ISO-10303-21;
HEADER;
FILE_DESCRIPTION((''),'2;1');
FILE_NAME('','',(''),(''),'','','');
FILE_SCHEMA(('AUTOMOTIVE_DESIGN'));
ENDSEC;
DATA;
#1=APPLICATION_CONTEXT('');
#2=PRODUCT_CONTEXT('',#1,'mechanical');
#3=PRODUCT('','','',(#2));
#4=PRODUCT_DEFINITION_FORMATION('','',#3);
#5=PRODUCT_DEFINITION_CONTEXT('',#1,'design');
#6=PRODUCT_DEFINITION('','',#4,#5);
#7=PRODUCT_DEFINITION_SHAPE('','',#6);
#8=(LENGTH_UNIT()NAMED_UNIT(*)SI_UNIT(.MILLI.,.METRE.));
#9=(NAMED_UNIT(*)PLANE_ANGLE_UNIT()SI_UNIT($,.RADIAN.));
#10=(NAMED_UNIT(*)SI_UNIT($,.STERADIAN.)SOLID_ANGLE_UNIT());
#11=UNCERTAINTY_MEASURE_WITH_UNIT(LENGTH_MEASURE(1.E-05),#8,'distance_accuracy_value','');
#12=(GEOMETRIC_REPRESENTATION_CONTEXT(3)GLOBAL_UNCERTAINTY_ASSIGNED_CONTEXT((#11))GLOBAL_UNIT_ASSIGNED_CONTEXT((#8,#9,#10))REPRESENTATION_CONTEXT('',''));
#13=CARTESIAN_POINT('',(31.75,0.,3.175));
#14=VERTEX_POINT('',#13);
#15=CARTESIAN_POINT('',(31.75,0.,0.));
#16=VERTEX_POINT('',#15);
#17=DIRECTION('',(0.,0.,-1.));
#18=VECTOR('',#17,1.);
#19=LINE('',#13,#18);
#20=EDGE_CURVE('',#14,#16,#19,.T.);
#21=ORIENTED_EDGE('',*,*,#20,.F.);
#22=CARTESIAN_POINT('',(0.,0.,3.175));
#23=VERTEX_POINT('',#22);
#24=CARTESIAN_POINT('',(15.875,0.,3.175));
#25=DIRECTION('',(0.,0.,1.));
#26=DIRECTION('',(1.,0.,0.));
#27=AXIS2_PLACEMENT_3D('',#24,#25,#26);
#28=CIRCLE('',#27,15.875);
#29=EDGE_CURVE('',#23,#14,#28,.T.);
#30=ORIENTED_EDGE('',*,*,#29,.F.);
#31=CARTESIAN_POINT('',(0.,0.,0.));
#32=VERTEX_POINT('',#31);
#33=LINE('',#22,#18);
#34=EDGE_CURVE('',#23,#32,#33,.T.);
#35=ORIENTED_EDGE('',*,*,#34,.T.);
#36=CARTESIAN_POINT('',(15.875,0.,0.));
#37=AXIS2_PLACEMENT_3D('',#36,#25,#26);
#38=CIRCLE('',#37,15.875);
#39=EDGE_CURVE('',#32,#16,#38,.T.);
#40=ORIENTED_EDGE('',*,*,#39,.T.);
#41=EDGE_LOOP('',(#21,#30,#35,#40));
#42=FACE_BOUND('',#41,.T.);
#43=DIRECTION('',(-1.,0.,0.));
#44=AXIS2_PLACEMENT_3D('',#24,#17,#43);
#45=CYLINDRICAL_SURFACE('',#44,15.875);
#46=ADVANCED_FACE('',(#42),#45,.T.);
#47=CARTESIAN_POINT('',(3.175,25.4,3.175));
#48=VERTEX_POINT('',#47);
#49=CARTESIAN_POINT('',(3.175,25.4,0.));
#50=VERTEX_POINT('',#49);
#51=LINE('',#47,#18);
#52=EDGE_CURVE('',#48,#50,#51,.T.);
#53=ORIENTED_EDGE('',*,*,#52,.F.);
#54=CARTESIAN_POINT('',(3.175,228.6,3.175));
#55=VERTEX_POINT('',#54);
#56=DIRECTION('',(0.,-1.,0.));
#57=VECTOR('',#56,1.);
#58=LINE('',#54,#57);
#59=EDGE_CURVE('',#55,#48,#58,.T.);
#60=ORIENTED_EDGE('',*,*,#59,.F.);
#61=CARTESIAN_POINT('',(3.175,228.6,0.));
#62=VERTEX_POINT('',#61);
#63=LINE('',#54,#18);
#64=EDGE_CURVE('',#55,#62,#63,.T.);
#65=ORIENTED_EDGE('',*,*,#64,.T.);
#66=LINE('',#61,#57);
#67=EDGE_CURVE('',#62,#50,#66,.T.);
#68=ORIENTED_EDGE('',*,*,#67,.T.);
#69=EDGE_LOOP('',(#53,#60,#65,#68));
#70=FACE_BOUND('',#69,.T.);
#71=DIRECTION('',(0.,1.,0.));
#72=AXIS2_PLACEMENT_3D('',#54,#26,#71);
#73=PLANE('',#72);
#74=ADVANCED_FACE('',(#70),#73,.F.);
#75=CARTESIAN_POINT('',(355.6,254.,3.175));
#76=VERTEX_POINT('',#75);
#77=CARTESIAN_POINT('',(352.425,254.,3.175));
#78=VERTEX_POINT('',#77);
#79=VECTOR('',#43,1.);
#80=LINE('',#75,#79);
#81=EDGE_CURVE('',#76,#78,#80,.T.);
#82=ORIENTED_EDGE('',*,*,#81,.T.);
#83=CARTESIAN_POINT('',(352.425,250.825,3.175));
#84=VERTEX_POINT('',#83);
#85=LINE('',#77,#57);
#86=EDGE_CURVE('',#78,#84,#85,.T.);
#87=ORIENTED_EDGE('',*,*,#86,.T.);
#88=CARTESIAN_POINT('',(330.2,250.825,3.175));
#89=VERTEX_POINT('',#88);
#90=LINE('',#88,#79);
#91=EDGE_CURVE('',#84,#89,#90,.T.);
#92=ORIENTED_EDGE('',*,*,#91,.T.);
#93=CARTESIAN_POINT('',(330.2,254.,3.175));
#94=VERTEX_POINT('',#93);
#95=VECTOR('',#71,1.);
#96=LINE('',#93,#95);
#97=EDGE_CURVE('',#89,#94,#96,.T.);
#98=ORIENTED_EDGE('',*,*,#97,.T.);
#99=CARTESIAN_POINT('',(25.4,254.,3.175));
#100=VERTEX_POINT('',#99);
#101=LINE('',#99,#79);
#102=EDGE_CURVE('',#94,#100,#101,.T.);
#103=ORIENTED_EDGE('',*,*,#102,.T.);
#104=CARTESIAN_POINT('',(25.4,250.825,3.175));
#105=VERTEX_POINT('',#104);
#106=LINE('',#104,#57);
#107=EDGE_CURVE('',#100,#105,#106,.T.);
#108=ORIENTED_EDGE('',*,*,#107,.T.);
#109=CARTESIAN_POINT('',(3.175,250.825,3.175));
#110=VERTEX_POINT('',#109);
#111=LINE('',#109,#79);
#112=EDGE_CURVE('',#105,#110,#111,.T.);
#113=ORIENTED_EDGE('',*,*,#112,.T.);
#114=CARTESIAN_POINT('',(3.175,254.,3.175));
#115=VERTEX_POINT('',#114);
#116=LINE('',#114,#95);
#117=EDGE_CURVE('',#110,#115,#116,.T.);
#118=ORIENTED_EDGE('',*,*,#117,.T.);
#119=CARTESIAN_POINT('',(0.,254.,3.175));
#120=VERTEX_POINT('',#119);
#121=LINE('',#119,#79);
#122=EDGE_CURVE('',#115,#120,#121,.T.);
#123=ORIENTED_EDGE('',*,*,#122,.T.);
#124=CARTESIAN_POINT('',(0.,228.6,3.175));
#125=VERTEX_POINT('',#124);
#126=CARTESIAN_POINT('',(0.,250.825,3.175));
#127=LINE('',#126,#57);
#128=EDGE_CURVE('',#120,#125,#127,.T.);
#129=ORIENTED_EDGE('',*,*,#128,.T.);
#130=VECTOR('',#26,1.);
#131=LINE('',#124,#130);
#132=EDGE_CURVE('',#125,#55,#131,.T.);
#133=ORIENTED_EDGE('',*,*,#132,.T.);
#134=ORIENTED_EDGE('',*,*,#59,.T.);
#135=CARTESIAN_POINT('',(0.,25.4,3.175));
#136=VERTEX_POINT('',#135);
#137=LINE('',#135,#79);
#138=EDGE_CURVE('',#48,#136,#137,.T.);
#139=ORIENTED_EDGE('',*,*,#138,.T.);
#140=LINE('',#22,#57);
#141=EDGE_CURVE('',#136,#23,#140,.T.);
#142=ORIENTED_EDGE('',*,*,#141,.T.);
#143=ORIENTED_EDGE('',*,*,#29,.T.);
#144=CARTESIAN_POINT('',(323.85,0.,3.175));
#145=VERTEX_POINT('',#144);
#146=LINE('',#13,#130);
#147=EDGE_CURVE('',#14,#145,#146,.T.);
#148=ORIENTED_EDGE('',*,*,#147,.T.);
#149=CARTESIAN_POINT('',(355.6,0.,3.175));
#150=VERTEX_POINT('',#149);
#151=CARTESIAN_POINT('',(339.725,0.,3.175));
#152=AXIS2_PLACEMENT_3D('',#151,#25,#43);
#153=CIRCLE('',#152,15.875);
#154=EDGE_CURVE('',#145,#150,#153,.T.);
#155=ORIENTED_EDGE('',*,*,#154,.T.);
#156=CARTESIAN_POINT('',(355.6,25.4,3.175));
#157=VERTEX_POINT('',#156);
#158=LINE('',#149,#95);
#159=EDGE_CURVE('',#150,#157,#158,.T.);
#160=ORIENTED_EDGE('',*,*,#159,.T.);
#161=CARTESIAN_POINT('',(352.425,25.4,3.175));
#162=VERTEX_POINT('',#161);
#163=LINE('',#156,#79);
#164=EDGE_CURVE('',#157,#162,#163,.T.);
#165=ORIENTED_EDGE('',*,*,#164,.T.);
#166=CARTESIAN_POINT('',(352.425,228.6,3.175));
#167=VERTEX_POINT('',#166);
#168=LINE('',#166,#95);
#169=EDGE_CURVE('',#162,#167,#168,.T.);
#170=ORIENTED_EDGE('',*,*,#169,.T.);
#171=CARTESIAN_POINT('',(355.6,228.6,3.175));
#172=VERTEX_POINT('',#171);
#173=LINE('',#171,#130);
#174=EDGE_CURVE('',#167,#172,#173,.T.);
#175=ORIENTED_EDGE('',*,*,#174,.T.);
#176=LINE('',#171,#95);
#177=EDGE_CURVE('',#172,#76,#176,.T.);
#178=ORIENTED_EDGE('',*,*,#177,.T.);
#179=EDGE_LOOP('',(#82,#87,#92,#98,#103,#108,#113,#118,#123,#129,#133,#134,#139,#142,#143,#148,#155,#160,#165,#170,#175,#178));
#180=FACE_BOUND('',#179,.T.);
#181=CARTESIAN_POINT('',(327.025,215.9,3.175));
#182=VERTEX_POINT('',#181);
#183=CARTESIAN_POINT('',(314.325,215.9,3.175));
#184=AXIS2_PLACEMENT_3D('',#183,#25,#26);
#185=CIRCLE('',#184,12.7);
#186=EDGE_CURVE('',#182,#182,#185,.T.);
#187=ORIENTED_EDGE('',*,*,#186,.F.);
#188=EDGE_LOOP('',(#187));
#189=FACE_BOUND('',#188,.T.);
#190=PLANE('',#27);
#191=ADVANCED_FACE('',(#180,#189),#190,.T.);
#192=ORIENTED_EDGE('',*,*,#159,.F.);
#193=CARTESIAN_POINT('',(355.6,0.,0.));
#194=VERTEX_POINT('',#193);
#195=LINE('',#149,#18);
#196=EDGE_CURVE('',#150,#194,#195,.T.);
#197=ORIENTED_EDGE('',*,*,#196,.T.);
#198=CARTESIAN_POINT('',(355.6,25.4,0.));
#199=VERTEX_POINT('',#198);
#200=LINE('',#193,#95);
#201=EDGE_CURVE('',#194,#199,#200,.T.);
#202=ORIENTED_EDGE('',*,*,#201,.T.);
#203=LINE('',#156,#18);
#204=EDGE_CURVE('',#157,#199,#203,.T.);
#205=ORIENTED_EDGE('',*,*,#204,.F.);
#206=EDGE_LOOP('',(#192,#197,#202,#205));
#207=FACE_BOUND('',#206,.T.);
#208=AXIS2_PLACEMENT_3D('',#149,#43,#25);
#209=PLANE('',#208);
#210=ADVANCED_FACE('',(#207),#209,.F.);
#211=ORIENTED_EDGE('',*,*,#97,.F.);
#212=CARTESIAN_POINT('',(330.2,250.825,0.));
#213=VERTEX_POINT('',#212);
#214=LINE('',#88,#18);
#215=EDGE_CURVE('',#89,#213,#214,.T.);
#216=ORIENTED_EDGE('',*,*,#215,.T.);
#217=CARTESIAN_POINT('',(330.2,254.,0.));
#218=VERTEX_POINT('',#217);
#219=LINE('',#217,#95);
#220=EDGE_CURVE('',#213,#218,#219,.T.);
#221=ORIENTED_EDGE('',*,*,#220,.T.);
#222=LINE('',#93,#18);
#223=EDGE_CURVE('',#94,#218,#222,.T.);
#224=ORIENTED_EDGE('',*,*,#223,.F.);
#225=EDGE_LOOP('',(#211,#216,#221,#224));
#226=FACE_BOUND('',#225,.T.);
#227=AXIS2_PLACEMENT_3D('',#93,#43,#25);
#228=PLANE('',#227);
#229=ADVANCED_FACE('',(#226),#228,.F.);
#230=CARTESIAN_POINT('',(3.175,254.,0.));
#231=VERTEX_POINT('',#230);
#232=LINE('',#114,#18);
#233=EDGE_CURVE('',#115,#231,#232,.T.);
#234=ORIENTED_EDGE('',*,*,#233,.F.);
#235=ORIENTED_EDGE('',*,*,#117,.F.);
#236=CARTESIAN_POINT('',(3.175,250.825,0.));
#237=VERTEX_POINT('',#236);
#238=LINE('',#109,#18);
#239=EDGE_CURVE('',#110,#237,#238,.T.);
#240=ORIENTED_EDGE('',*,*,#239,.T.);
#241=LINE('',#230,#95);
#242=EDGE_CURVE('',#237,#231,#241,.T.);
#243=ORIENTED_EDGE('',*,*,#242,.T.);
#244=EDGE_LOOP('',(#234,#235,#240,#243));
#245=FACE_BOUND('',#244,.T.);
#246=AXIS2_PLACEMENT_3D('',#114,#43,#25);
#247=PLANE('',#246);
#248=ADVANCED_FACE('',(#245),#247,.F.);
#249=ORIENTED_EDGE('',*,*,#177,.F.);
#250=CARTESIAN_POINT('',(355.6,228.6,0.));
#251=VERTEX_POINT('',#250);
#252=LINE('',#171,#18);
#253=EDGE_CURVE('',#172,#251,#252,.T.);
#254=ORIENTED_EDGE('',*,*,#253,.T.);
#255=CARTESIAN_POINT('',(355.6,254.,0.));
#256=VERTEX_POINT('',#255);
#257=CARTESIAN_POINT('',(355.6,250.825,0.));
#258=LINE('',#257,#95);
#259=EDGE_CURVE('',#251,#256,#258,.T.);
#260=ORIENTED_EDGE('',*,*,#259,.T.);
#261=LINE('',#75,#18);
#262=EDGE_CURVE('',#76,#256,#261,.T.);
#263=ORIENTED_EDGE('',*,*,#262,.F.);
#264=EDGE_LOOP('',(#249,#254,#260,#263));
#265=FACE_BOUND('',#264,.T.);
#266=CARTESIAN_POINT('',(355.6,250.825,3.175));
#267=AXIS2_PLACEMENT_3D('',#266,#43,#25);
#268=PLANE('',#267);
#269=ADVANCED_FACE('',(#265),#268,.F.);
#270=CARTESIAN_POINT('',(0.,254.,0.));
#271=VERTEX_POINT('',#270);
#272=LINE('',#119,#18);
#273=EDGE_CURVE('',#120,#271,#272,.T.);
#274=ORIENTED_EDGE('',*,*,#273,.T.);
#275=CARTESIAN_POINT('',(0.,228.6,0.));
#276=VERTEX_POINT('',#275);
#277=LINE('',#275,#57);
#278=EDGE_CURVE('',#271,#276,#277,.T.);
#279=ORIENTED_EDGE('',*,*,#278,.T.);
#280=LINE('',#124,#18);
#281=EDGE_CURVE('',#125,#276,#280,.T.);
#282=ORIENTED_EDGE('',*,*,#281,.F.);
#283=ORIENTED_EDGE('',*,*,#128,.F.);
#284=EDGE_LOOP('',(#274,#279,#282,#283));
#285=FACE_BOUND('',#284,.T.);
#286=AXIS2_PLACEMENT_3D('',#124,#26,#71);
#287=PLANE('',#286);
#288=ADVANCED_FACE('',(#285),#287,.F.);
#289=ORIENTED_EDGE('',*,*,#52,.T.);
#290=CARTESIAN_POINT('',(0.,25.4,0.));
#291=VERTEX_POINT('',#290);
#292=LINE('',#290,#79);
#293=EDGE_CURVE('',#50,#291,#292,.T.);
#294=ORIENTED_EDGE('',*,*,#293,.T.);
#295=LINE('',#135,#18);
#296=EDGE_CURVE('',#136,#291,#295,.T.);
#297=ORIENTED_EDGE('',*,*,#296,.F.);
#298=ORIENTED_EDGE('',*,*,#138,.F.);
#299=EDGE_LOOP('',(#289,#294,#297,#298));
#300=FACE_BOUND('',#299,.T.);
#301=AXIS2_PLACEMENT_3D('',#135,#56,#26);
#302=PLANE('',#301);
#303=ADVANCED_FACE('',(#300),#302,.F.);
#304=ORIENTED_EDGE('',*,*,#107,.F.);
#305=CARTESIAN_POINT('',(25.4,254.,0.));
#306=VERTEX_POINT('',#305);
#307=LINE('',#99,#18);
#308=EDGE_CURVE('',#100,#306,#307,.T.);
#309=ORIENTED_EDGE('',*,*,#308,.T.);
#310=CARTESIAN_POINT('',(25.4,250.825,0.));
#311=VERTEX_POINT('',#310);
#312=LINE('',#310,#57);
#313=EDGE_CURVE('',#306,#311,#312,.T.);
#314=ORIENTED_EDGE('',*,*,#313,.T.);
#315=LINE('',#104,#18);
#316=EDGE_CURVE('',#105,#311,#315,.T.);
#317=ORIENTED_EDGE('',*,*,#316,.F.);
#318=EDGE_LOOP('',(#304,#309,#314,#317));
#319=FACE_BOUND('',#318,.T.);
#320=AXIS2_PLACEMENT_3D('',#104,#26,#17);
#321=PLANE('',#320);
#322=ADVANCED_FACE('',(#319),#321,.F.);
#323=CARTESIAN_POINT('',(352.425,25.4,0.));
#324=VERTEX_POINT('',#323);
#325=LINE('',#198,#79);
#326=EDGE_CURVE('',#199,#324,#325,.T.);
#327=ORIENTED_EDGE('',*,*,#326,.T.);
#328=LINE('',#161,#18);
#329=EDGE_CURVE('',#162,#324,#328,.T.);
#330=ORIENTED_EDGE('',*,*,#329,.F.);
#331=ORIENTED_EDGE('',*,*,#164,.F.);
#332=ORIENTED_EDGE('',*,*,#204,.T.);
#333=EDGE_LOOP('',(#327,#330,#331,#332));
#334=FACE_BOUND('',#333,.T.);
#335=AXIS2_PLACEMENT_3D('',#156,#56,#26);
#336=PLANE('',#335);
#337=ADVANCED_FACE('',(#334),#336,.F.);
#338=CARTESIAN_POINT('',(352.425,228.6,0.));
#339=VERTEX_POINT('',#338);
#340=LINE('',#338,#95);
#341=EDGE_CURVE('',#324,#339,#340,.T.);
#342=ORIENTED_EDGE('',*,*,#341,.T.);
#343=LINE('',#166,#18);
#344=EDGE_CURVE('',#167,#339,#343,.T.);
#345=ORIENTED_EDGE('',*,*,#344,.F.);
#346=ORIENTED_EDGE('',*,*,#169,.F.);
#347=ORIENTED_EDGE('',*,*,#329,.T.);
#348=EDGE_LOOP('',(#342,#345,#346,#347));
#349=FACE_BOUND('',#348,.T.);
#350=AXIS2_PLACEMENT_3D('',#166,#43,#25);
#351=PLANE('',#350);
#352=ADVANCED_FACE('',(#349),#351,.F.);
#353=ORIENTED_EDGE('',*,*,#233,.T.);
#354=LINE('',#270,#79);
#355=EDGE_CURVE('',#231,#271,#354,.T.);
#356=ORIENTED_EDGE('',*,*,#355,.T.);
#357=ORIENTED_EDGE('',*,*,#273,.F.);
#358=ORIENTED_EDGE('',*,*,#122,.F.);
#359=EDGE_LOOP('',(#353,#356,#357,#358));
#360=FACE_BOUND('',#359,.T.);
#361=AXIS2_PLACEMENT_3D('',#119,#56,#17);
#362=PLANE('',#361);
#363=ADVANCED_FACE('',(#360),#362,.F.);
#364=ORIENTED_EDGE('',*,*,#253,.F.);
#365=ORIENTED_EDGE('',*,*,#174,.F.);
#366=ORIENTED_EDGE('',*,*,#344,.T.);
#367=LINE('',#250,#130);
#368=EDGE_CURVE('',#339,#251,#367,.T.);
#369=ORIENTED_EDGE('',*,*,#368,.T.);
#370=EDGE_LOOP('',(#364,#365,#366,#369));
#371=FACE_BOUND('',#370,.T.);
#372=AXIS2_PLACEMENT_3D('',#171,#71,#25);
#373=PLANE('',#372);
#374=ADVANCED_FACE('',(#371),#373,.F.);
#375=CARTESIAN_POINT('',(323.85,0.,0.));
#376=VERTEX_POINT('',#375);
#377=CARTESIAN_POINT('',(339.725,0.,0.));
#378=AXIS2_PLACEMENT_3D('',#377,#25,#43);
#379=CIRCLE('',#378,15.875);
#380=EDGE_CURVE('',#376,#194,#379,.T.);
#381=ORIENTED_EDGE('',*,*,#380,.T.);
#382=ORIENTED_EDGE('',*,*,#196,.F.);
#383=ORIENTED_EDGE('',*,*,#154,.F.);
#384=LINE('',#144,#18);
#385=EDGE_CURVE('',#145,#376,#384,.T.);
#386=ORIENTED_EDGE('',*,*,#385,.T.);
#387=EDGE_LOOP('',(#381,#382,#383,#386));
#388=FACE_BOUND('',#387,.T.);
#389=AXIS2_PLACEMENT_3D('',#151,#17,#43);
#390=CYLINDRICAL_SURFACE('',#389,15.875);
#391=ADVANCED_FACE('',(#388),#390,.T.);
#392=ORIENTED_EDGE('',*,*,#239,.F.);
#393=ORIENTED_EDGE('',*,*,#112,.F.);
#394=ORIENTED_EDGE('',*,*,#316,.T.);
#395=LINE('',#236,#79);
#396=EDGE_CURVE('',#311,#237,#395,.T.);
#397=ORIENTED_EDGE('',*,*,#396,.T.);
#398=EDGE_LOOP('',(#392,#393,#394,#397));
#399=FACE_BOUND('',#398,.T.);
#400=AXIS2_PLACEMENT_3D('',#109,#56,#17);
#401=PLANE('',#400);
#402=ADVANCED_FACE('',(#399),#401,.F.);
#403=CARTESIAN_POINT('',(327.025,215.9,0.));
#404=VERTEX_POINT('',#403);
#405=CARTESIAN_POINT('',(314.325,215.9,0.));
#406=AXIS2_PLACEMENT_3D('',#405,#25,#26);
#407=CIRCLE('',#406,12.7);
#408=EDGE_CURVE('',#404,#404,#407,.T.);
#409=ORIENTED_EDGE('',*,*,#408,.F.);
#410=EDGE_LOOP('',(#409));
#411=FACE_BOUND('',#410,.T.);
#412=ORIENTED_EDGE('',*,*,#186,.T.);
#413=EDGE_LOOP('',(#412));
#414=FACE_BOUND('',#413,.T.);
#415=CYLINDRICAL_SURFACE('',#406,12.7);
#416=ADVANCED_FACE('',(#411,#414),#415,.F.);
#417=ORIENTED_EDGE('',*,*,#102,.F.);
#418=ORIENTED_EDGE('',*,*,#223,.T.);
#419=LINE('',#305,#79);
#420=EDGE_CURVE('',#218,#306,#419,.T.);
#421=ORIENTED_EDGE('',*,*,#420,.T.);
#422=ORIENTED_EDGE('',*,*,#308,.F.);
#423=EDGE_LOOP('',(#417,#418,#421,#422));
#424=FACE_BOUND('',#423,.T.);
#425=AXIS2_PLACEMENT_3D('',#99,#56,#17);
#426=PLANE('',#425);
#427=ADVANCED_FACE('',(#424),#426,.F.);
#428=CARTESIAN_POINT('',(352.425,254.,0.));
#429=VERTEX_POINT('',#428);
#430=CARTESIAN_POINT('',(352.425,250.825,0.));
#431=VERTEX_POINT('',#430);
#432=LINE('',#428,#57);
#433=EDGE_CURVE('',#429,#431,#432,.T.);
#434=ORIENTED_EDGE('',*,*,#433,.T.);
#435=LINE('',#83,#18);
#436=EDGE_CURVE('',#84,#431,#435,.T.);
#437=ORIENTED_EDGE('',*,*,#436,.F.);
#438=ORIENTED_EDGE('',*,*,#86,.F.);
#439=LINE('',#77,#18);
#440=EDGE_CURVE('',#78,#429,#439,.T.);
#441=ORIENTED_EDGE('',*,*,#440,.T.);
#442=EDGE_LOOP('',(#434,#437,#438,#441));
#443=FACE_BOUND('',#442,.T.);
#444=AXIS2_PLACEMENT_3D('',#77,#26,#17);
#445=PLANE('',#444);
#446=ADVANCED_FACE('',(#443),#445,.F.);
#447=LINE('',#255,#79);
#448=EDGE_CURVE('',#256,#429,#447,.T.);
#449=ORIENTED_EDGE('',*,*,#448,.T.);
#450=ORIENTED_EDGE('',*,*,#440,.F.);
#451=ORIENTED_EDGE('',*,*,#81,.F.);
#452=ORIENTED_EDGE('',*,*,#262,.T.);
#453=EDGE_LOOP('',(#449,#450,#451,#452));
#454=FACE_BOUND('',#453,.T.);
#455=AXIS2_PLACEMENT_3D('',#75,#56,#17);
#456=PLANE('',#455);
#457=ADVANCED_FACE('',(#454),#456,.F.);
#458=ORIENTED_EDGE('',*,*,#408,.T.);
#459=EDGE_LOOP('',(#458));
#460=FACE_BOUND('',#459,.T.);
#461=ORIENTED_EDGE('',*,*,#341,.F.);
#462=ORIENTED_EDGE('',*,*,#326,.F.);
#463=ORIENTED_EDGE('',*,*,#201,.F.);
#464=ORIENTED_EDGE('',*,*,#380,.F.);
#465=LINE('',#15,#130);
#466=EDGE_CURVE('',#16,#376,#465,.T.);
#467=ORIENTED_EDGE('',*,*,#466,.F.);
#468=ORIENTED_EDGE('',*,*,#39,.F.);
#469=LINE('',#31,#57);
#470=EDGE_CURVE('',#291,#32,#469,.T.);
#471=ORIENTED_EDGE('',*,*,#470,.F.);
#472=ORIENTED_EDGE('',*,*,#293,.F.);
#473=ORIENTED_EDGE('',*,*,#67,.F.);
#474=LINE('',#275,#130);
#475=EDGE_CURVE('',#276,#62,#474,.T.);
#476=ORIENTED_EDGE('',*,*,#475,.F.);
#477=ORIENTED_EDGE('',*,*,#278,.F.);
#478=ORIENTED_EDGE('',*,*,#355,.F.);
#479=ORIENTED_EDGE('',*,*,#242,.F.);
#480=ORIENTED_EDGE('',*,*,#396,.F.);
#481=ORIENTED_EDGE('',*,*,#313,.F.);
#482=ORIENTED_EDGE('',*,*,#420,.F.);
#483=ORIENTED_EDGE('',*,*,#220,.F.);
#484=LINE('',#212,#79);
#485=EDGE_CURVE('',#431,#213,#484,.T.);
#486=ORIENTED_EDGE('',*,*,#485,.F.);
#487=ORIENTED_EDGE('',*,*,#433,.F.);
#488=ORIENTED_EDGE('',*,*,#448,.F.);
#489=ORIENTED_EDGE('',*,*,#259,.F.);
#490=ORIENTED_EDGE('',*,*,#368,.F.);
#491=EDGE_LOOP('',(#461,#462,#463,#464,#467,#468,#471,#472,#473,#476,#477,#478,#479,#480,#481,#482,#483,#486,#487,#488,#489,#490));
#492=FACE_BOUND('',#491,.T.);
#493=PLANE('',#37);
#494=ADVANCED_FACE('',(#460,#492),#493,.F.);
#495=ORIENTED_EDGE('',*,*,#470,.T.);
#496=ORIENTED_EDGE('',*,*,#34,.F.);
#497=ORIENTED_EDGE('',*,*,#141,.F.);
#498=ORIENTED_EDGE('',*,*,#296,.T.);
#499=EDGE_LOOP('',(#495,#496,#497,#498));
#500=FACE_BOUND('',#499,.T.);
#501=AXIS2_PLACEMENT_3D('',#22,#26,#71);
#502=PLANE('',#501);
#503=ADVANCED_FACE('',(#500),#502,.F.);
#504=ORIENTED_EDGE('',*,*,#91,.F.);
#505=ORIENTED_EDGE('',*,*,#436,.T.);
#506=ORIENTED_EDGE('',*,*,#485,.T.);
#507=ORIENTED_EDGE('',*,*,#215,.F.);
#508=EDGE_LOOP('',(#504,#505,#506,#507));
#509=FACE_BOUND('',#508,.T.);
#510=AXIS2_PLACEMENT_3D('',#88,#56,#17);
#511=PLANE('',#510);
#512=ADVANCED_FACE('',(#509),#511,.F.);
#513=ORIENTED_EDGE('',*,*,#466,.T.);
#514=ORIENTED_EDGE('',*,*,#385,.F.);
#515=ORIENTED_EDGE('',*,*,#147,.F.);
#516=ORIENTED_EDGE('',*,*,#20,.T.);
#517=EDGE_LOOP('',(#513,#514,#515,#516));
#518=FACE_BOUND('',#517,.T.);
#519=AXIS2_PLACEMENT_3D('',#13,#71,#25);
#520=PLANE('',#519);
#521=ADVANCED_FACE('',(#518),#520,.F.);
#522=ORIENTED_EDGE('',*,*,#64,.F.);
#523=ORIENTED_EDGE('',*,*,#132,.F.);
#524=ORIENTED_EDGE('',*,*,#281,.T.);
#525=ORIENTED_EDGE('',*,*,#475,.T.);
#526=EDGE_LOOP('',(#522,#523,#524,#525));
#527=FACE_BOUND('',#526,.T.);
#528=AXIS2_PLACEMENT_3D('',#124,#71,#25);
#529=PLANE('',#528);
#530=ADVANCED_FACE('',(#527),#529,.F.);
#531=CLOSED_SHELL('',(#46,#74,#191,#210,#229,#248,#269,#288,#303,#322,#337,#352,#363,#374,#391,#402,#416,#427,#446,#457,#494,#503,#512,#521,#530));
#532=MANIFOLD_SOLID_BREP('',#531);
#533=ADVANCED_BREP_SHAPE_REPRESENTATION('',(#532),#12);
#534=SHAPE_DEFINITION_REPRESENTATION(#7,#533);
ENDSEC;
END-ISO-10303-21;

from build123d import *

# Parameters (mm, degrees)
BOSS_EXTRUDE1_DEPTH = 3.175
SKETCH2_R           = 12.7
CUT_EXTRUDE1_DEPTH  = 4.175


with BuildPart() as part:
    # Sketch1 → Boss-Extrude1 (new body)
    with BuildSketch(Plane.XY):
        with BuildLine():
            Line((0, 228.6), (0, 250.825))
            Line((0, 250.825), (0, 254))
            Line((0, 254), (3.175, 254))
            Line((3.175, 254), (3.175, 250.825))
            Line((3.175, 250.825), (25.4, 250.825))
            Line((25.4, 250.825), (25.4, 254))
            Line((25.4, 254), (330.2, 254))
            Line((330.2, 254), (330.2, 250.825))
            Line((330.2, 250.825), (352.425, 250.825))
            Line((352.425, 250.825), (352.425, 254))
            Line((352.425, 254), (355.6, 254))
            Line((355.6, 254), (355.6, 250.825))
            Line((355.6, 250.825), (355.6, 228.6))
            Line((355.6, 228.6), (352.425, 228.6))
            Line((352.425, 228.6), (352.425, 25.4))
            Line((352.425, 25.4), (355.6, 25.4))
            Line((355.6, 25.4), (355.6, 0))
            ThreePointArc((355.6, 0), (339.725, -15.875), (323.85, 0))
            Line((323.85, 0), (31.75, 0))
            ThreePointArc((31.75, 0), (15.875, -15.875), (0, 0))
            Line((0, 0), (0, 25.4))
            Line((0, 25.4), (3.175, 25.4))
            Line((3.175, 25.4), (3.175, 228.6))
            Line((3.175, 228.6), (0, 228.6))
        make_face()
    extrude(amount=BOSS_EXTRUDE1_DEPTH)

    # Sketch2 → Cut-Extrude1 (cut, through all)
    with BuildSketch(Plane.XY.offset(3.175)):
        with Locations((314.325, 215.9)):
            Circle(SKETCH2_R)
    extrude(amount=-CUT_EXTRUDE1_DEPTH, mode=Mode.SUBTRACT)


solid = part.part
